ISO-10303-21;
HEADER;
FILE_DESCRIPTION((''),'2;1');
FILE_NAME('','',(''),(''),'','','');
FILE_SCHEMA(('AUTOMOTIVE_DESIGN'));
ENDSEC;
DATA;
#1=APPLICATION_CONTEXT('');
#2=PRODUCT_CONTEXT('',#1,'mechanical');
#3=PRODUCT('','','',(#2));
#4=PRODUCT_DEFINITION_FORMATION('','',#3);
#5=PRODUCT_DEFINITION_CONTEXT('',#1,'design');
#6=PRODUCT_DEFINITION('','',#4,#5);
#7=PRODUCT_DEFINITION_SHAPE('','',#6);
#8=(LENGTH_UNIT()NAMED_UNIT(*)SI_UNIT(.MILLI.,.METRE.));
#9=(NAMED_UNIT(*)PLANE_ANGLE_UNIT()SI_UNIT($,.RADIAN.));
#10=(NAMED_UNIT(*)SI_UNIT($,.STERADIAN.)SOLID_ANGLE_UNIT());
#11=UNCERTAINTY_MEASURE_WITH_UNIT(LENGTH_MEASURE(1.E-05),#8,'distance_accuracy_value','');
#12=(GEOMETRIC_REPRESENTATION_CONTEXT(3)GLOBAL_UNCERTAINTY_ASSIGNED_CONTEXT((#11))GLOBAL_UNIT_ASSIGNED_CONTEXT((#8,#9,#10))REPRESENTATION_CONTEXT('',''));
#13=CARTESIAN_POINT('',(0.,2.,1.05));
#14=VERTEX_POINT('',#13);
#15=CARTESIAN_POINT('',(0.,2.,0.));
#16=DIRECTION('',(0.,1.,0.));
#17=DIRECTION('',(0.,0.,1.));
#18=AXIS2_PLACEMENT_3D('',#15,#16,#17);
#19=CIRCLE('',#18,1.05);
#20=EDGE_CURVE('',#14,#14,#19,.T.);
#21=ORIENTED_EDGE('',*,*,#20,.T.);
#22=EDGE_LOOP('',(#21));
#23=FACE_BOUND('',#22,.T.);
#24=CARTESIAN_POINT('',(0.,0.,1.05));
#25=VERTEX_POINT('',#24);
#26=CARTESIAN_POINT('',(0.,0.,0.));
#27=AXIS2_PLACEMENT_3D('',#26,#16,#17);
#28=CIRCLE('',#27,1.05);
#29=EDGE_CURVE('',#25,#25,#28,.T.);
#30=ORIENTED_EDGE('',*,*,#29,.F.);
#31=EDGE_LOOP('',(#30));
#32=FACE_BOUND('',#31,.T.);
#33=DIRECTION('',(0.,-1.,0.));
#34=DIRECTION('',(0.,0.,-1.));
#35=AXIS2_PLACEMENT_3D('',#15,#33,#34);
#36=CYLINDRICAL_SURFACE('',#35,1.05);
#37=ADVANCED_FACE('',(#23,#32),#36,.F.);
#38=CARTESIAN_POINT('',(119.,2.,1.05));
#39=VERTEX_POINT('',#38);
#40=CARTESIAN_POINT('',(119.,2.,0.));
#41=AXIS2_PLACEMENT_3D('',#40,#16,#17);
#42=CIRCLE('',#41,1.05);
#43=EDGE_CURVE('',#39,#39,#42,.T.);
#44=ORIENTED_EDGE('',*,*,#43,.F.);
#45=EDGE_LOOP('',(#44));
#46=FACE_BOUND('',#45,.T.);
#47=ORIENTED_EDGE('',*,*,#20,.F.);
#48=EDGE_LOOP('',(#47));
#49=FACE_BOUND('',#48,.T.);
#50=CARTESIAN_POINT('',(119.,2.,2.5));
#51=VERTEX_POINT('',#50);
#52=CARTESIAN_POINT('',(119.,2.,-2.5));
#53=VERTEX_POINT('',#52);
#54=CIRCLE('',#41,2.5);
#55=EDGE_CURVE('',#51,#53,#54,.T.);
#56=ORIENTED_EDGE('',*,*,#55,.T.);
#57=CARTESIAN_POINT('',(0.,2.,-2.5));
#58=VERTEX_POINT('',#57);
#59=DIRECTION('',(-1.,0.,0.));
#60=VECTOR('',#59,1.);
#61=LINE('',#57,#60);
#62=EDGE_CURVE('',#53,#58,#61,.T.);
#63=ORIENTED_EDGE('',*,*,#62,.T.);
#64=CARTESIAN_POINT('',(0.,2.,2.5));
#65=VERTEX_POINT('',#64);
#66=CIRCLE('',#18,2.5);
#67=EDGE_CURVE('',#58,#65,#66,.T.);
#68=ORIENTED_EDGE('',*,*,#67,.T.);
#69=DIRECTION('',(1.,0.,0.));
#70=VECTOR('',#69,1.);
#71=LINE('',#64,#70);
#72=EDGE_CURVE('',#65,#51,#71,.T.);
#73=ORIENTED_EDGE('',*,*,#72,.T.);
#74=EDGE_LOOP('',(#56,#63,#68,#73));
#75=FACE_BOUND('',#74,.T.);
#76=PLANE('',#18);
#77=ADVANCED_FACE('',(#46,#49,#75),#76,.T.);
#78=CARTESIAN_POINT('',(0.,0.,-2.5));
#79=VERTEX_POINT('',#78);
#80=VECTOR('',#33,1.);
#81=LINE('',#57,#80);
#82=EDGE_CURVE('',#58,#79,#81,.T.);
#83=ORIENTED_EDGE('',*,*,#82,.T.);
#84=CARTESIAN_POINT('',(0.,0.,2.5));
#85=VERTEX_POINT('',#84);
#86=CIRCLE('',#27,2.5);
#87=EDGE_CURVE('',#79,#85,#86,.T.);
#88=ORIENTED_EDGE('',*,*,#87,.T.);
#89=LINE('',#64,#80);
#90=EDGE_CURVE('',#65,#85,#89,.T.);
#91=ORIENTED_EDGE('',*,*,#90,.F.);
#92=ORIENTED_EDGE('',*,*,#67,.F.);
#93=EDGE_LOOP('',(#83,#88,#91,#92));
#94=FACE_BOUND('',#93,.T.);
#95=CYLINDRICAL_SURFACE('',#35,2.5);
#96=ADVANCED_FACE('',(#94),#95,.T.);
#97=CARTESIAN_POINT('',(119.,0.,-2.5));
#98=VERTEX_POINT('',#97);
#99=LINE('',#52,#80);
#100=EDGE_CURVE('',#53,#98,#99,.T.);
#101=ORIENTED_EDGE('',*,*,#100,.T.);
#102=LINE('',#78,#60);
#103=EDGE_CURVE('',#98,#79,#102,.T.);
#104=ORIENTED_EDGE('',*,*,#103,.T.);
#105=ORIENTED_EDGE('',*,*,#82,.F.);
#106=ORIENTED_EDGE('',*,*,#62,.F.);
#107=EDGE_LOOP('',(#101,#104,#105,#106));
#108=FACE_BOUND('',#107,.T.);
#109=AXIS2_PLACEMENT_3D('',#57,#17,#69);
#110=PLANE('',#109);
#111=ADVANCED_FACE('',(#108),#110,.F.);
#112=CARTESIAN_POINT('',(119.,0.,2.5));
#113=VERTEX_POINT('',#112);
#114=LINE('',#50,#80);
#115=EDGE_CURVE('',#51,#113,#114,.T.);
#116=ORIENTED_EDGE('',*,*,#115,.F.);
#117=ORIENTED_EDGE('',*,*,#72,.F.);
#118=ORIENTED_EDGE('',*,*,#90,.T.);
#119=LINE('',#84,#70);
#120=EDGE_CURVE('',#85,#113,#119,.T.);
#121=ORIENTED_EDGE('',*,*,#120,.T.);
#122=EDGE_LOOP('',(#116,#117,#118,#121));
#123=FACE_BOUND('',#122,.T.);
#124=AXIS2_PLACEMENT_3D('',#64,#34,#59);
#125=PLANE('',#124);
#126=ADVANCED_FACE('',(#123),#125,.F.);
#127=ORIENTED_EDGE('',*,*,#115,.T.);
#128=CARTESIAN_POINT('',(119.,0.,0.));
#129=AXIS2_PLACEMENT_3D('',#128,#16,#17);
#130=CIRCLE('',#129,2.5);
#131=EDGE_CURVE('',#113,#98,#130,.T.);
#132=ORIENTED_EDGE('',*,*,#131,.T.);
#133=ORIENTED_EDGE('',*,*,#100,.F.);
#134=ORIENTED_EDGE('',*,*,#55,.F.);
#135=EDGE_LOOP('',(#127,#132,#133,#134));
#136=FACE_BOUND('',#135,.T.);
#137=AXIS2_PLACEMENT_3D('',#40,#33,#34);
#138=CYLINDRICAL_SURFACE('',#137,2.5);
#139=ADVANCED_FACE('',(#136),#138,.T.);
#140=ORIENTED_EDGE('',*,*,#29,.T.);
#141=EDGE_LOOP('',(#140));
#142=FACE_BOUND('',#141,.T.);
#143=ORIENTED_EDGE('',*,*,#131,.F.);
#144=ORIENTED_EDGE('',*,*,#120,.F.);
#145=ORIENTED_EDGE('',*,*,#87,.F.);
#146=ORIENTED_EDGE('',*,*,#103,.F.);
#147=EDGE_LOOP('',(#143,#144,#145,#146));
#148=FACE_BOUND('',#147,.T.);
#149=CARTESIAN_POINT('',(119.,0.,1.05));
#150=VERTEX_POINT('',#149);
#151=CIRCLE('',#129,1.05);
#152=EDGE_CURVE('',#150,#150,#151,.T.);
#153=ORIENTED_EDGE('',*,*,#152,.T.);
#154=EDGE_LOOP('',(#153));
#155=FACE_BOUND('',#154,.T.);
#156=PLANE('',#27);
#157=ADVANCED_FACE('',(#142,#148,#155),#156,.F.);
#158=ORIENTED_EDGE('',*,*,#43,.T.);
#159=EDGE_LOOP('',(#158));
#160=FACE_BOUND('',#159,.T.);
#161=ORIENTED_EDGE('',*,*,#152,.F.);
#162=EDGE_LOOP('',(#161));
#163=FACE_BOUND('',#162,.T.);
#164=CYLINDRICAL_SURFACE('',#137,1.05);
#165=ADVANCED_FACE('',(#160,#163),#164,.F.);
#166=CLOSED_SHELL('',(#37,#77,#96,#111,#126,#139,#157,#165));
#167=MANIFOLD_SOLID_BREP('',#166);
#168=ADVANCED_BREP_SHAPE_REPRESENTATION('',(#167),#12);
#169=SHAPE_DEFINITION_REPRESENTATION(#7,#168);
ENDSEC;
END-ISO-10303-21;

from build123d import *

# Parameters (mm, degrees)
SKETCH1_R           = 1.05
BOSS_EXTRUDE1_DEPTH = 2


with BuildPart() as part:
    # Sketch1 → Boss-Extrude1 (new body)
    with BuildSketch(Plane(origin=(0, 0, 0), x_dir=(1, 0, 0), z_dir=(0, 1, 0))):
        with BuildLine():
            Line((0, 2.5), (119, 2.5))
            ThreePointArc((119, 2.5), (121.5, 0), (119, -2.5))
            Line((119, -2.5), (0, -2.5))
            ThreePointArc((0, -2.5), (-2.5, 0), (0, 2.5))
        make_face()
        with Locations(Location((0, 0, 0), (0, 0, 270))):
            Circle(SKETCH1_R, mode=Mode.SUBTRACT)
        with Locations(Location((119, 0, 0), (0, 0, 270))):
            Circle(SKETCH1_R, mode=Mode.SUBTRACT)
    extrude(amount=BOSS_EXTRUDE1_DEPTH)


solid = part.part
